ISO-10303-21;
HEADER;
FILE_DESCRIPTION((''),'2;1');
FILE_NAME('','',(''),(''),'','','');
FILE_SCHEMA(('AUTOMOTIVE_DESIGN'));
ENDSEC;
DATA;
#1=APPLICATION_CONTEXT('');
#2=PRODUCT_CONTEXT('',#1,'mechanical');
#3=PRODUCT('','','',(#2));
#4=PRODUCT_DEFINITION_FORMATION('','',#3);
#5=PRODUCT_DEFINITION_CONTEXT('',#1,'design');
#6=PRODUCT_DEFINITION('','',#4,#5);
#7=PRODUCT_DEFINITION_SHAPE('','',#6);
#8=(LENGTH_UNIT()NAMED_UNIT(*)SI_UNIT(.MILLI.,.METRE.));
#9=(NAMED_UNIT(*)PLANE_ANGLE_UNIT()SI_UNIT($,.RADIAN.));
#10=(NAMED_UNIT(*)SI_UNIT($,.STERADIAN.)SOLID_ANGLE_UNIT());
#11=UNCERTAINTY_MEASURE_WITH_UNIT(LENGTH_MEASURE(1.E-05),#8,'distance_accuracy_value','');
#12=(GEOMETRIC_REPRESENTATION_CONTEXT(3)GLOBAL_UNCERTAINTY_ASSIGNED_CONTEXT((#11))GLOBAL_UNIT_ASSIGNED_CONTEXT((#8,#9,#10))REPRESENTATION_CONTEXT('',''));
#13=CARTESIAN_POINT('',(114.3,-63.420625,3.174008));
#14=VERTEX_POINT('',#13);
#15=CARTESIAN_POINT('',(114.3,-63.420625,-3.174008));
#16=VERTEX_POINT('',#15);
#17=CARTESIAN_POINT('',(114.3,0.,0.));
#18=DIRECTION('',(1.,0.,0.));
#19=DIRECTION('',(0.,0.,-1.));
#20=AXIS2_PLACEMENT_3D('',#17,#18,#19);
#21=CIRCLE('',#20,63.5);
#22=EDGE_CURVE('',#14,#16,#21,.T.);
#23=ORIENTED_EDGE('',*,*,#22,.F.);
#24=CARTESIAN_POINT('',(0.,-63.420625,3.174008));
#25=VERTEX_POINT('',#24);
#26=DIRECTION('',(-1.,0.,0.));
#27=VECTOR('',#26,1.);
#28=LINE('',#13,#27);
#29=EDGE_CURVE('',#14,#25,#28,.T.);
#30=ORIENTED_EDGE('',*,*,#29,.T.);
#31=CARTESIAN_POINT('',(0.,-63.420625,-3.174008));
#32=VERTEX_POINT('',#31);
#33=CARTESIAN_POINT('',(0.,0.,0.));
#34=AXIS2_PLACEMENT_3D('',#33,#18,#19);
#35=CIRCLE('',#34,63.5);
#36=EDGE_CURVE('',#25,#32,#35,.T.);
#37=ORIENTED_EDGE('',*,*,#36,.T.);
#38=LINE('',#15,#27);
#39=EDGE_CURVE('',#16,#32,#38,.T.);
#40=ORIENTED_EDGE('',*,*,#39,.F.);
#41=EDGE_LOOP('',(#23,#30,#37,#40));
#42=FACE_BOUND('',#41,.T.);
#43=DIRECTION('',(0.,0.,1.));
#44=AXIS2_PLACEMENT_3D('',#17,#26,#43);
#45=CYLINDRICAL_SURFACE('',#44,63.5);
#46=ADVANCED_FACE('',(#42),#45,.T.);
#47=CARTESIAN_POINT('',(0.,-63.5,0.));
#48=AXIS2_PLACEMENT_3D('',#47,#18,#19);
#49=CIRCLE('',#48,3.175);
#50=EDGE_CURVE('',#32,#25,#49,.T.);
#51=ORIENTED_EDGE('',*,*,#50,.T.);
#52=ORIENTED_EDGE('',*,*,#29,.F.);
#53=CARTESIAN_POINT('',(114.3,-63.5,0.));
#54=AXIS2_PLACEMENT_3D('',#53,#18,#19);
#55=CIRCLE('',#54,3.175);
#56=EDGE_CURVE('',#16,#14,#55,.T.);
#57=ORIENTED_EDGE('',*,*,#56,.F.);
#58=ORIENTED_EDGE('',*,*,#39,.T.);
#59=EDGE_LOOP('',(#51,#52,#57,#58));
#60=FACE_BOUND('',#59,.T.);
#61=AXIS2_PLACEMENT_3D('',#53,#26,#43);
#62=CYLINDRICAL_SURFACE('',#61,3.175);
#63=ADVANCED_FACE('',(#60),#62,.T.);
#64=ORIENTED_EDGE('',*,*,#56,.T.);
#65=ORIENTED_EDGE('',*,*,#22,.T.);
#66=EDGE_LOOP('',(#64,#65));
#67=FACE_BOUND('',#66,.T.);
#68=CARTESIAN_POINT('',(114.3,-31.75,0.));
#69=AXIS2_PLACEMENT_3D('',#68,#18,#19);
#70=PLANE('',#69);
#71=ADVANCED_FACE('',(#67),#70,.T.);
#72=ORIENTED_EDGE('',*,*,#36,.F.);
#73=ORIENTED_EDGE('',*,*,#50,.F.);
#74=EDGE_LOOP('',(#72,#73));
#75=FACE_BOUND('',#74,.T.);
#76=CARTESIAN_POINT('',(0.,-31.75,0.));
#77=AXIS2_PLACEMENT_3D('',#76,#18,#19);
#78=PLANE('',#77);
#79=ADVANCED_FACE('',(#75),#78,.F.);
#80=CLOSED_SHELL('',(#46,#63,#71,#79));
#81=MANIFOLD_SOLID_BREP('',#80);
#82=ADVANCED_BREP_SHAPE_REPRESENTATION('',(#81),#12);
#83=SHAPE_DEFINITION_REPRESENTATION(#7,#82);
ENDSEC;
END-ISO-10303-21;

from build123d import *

# Parameters (mm, degrees)
BOSS_EXTRUDE1_DEPTH = 114.3


with BuildPart() as part:
    # Sketch1 → Boss-Extrude1 (new body)
    with BuildSketch(Plane(origin=(0, 0, 0), x_dir=(0, 0, -1), z_dir=(1, 0, 0))):
        with BuildLine():
            ThreePointArc((-3.174007657, -63.420625), (0, -63.5), (3.174007657, -63.420625))
            ThreePointArc((3.174007657, -63.420625), (0, -60.325), (-3.174007657, -63.420625))
        make_face()
    extrude(amount=BOSS_EXTRUDE1_DEPTH)


solid = part.part
